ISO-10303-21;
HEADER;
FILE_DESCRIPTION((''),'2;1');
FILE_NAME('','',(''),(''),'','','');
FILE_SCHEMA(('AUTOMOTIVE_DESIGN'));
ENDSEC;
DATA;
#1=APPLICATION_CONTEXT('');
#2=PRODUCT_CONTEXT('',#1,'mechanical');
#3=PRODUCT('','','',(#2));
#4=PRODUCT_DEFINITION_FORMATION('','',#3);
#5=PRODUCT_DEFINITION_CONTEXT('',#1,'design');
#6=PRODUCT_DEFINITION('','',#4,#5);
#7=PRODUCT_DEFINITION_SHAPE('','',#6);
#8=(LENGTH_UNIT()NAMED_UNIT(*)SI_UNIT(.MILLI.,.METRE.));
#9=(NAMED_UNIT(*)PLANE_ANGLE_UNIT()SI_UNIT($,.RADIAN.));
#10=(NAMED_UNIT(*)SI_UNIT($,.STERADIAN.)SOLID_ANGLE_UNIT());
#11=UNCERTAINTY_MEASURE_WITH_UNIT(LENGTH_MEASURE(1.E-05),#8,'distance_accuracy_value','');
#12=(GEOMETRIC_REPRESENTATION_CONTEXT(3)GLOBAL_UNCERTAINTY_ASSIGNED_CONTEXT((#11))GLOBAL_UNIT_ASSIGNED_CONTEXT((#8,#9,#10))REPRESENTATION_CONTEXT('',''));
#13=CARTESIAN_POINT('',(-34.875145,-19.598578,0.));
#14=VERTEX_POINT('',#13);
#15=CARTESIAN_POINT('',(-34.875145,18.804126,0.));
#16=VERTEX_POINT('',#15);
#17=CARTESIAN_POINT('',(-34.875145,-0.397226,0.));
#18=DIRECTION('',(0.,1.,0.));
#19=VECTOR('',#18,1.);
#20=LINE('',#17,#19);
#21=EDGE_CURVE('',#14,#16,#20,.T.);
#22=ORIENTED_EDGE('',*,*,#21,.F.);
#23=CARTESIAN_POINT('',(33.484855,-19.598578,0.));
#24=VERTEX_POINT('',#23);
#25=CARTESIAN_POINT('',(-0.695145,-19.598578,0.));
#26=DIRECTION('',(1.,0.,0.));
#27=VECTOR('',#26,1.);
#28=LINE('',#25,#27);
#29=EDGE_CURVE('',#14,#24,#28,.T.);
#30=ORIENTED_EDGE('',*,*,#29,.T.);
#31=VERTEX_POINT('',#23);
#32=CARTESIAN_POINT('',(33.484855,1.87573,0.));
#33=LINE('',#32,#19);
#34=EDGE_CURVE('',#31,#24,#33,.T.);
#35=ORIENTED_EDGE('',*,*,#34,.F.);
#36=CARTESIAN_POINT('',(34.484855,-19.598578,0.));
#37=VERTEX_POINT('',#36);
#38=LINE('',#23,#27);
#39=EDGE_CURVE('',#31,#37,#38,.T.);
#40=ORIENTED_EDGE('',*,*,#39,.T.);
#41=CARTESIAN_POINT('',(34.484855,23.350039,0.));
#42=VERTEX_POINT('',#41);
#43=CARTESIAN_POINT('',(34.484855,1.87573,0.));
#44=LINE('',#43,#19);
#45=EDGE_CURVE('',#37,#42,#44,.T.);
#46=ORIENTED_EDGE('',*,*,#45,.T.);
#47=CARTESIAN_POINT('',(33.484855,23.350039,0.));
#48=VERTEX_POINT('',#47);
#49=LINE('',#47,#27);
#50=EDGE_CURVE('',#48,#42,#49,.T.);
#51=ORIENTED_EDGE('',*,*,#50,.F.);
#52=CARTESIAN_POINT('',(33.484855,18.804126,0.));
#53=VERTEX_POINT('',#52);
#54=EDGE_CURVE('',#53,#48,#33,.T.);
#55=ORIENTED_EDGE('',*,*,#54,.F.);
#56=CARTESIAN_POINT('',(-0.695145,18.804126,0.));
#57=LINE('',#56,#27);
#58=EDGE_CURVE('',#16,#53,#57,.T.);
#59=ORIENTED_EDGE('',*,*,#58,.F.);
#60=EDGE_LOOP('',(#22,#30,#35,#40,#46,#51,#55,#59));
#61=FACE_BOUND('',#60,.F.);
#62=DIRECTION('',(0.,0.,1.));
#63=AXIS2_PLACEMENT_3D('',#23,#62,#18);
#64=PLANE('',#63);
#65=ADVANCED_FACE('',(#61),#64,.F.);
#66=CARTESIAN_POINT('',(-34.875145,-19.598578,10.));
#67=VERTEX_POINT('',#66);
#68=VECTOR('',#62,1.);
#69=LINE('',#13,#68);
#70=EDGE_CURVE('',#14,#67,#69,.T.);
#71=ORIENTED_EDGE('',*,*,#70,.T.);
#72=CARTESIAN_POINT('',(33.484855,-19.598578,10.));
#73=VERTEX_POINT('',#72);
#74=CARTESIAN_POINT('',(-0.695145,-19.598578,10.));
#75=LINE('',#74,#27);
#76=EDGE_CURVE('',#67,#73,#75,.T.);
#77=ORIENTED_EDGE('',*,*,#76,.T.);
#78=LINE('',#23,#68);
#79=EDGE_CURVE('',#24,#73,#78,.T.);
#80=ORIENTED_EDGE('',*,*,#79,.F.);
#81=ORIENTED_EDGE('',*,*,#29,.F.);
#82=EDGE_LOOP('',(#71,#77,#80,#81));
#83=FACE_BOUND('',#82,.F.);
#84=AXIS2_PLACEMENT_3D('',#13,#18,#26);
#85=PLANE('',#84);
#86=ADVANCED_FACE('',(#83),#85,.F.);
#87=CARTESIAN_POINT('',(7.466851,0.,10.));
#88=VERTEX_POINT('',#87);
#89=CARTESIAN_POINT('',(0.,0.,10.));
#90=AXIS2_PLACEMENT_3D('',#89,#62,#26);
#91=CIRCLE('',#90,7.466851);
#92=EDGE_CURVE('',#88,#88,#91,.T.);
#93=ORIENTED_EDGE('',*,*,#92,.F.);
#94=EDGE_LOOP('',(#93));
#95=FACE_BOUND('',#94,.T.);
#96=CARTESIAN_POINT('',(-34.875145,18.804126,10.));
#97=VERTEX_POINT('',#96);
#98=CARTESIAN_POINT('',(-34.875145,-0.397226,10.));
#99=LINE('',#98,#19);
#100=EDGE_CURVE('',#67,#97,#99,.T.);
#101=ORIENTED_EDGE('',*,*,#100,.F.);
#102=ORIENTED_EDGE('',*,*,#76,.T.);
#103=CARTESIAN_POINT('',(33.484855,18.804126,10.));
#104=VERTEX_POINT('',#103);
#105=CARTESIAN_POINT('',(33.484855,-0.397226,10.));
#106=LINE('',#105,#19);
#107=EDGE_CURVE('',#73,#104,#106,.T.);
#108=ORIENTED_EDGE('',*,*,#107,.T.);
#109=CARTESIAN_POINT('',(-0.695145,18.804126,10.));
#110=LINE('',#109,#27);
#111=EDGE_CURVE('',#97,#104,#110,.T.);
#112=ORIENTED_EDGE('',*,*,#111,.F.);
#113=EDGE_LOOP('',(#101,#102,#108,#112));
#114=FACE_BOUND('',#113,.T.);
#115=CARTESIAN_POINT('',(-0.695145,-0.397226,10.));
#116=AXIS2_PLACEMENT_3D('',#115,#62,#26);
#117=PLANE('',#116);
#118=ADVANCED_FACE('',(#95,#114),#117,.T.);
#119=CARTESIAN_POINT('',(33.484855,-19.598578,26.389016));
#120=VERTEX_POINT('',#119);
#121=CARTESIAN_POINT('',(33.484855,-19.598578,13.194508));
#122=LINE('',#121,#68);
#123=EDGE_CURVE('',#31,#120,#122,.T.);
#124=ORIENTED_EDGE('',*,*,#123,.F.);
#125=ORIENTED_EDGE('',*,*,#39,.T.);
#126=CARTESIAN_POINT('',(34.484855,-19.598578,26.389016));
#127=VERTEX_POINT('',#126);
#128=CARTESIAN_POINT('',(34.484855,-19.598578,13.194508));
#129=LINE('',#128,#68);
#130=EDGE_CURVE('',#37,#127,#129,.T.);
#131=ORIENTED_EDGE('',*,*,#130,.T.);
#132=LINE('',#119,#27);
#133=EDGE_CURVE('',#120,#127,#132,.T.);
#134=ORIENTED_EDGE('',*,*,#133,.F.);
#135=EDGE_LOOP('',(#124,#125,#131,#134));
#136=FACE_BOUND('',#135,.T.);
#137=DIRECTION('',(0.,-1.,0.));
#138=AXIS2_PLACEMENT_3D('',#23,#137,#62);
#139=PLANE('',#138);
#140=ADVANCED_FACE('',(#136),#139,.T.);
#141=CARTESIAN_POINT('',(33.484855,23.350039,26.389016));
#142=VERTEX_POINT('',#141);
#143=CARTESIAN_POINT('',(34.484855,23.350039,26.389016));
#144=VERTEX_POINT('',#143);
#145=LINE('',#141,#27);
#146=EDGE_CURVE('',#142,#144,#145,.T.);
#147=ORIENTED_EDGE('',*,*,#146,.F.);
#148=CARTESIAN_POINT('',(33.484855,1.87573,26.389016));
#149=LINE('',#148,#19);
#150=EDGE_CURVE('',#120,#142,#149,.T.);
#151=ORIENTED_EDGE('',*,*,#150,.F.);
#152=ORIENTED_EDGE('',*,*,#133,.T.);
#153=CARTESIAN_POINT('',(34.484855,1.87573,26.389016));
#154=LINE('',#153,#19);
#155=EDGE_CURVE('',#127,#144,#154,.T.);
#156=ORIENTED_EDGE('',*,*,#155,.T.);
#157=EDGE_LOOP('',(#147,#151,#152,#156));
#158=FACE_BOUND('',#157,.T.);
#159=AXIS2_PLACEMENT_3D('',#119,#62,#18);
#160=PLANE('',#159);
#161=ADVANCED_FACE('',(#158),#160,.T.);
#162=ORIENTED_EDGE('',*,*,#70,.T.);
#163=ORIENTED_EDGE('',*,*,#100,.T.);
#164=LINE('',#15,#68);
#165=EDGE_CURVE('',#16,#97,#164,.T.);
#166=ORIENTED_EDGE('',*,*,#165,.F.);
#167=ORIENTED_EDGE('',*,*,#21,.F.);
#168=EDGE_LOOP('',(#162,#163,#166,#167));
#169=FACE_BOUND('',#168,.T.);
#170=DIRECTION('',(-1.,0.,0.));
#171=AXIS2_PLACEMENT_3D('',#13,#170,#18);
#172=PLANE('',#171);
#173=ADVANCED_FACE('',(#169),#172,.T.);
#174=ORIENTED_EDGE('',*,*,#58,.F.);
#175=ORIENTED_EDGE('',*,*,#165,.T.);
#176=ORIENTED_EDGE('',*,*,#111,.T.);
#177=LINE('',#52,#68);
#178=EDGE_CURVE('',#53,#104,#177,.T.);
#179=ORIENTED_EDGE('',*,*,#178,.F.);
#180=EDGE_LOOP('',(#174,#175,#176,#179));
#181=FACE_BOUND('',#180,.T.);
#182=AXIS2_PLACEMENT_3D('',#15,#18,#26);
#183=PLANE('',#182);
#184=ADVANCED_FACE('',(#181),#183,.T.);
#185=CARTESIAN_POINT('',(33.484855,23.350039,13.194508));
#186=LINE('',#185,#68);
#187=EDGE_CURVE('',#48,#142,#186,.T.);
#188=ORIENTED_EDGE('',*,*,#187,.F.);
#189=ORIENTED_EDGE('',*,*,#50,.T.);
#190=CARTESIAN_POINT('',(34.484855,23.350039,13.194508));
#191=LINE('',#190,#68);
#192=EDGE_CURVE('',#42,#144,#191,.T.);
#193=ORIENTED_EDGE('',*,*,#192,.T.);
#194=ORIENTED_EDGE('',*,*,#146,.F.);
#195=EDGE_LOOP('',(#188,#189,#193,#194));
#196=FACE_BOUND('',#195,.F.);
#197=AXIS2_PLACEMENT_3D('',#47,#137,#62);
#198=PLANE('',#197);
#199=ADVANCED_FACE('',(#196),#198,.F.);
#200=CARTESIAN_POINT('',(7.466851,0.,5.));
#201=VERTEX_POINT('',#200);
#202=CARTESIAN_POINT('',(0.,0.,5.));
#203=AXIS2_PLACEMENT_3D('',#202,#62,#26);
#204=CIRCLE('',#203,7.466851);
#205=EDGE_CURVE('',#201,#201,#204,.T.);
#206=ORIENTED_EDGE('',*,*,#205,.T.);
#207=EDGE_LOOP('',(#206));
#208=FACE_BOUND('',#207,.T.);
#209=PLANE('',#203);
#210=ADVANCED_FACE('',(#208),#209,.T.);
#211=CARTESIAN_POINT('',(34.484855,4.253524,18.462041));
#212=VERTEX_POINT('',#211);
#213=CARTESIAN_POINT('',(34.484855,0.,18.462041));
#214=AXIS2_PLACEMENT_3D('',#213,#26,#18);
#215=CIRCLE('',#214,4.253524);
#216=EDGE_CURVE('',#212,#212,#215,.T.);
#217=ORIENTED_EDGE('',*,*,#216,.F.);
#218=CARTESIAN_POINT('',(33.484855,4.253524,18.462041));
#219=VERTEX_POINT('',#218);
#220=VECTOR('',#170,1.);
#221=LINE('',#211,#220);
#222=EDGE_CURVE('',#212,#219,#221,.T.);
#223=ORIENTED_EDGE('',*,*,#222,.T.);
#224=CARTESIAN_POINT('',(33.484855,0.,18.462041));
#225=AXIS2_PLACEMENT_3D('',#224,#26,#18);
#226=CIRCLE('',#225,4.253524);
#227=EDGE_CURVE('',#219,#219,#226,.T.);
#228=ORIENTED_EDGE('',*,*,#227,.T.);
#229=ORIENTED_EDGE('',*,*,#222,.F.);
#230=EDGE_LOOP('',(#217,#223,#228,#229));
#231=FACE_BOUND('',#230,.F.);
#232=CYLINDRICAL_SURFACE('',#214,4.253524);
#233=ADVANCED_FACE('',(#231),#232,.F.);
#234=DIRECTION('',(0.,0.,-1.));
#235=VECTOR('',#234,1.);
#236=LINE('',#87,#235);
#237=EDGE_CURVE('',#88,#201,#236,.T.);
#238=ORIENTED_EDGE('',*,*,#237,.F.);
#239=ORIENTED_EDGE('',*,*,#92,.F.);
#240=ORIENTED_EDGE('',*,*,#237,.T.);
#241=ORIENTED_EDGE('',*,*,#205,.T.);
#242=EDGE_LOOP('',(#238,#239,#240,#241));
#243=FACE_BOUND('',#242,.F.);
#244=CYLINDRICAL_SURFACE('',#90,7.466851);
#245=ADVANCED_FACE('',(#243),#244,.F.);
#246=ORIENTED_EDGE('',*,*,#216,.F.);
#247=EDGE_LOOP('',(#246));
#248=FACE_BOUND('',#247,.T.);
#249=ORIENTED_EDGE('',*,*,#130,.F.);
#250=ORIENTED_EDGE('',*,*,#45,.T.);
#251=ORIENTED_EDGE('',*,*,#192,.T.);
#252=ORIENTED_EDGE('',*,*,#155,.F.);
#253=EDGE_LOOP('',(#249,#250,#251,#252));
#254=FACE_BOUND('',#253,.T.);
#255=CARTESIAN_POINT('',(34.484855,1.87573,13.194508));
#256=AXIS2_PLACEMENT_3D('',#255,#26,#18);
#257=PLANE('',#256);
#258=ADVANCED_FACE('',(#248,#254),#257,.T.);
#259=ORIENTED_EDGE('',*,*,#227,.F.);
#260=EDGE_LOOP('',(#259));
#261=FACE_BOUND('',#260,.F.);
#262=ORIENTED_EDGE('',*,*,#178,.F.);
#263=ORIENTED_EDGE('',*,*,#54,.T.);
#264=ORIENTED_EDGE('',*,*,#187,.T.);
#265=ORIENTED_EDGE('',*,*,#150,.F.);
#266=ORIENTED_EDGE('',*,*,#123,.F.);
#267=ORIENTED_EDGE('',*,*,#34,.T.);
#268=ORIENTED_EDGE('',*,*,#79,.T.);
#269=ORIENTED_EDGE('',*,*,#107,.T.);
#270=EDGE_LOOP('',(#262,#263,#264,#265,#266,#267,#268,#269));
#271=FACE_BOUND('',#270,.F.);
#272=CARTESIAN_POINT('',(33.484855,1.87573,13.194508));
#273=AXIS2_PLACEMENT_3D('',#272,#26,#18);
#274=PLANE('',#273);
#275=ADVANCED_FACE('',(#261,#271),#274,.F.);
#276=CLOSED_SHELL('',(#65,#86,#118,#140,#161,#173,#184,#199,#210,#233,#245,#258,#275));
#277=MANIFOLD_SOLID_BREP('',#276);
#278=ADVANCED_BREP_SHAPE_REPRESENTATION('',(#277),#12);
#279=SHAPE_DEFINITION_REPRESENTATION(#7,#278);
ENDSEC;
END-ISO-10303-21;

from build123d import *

# Parameters (mm, degrees)
F0_W     = 68.36
F0_H     = 38.402704
F1_DEPTH = 10
F2_R     = 7.466851
F3_DEPTH = 5
F4_W     = 42.948617
F4_H     = 26.389016
F5_DEPTH = 1
F6_R     = 4.253524
F7_DEPTH = 1


with BuildPart() as f1:
    # F0 (on Top) → F1 (new body)
    with BuildSketch(Plane.XY):
        with Locations((-0.695145, -0.397226)):
            Rectangle(F0_W, F0_H)
    extrude(amount=F1_DEPTH)

    # F2 (on face) → F3 (cut)
    with BuildSketch(Plane.XY.offset(10)):
        Circle(F2_R)
    extrude(amount=-F3_DEPTH, mode=Mode.SUBTRACT)

    # F4 (on face) → F5 (join)
    with BuildSketch(Plane.YZ.offset(33.484855)):
        with Locations((1.87573, 13.194508)):
            Rectangle(F4_W, F4_H)
    extrude(amount=F5_DEPTH)

    # F6 (on face) → F7 (cut)
    with BuildSketch(Plane.YZ.offset(34.484855)):
        with Locations((0, 18.462041)):
            Circle(F6_R)
    extrude(amount=-F7_DEPTH, mode=Mode.SUBTRACT)


solid = f1.part
